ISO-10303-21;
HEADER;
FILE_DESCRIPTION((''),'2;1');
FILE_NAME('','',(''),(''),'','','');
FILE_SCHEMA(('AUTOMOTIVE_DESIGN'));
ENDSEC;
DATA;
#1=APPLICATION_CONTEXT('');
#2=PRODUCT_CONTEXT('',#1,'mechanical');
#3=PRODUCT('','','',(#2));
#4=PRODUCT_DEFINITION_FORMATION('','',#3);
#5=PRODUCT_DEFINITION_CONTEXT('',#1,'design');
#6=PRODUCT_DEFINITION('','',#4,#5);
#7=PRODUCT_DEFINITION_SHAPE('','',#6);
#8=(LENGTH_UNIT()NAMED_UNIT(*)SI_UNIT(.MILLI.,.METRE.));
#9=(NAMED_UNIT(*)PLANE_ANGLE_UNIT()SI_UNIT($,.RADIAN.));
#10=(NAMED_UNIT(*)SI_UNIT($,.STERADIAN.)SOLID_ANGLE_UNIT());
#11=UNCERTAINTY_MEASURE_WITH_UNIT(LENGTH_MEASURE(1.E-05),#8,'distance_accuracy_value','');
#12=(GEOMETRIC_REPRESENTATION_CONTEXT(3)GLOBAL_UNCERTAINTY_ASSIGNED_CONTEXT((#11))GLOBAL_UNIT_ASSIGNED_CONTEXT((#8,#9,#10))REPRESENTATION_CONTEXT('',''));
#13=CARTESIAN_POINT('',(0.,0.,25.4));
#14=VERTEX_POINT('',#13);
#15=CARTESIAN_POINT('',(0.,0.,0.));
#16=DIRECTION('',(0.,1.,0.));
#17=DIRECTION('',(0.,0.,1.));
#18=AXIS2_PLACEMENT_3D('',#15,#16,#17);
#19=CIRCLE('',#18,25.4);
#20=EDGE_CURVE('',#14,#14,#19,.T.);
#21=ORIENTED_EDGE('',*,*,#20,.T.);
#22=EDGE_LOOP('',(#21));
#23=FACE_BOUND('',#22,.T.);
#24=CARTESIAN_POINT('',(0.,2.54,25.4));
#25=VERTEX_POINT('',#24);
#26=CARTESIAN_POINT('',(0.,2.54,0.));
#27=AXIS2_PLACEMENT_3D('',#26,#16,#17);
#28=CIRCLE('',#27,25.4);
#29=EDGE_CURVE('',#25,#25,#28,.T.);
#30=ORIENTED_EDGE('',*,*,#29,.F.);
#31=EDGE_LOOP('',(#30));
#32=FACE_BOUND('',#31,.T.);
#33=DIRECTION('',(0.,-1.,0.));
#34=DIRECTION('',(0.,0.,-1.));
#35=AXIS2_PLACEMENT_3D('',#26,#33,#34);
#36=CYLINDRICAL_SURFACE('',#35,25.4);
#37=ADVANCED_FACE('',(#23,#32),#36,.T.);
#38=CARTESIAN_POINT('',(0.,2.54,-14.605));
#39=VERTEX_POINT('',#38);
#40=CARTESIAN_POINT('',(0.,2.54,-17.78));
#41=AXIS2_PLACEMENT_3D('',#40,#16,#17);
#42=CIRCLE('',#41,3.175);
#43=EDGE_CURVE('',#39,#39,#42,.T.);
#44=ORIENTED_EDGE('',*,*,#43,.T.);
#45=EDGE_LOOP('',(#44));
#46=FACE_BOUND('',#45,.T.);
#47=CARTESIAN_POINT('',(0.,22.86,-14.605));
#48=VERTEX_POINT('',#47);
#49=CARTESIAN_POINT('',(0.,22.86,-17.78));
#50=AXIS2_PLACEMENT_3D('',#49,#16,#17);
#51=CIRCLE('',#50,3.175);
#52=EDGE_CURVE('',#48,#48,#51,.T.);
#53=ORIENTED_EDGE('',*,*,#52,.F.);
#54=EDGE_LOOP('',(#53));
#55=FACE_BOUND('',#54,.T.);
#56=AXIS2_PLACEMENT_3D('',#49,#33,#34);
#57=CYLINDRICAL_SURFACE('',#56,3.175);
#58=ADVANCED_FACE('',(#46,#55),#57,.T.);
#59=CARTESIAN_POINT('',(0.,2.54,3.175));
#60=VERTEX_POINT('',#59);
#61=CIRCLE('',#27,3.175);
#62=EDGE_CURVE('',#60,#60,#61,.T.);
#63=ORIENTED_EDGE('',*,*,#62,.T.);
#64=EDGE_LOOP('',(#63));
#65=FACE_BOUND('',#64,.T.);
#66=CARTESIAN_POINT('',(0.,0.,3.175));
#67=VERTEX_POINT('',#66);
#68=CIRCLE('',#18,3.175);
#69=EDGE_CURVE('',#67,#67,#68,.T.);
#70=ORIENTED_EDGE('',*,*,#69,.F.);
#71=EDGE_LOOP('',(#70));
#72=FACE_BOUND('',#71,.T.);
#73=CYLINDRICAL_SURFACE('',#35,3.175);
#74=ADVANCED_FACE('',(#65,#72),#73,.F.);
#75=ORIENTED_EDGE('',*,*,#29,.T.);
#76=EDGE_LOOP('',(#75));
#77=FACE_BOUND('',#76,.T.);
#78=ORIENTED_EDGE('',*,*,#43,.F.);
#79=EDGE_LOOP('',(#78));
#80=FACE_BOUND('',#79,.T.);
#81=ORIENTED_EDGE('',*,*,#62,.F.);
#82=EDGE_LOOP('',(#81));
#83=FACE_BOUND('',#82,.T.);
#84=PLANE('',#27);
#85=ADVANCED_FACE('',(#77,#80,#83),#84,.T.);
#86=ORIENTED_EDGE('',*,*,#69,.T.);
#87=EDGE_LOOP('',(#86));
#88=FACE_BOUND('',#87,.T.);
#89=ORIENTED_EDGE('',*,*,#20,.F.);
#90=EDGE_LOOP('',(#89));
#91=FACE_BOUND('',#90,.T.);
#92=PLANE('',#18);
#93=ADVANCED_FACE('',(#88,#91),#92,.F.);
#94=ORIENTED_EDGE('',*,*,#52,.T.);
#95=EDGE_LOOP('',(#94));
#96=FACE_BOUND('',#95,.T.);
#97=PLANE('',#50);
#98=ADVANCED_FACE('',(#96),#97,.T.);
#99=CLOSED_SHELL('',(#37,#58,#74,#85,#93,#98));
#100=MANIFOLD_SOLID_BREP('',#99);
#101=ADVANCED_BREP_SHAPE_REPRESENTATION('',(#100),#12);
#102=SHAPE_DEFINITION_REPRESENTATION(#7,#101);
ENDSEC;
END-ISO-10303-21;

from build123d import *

# Parameters (mm, degrees)
SKETCH1_R           = 25.4
SKETCH1_R_2         = 3.175
BOSS_EXTRUDE1_DEPTH = 2.54
SKETCH2_R           = 3.175
BOSS_EXTRUDE2_DEPTH = 20.32


with BuildPart() as part:
    # Sketch1 → Boss-Extrude1 (new body)
    with BuildSketch(Plane(origin=(0, 0, 0), x_dir=(1, 0, 0), z_dir=(0, 1, 0))):
        Circle(SKETCH1_R)
        Circle(SKETCH1_R_2, mode=Mode.SUBTRACT)
    extrude(amount=BOSS_EXTRUDE1_DEPTH)

    # Sketch2 → Boss-Extrude2 (add)
    with BuildSketch(Plane(origin=(0, 2.54, 0), x_dir=(1, 0, 0), z_dir=(0, 1, 0))):
        with Locations((0, 17.78)):
            Circle(SKETCH2_R)
    extrude(amount=BOSS_EXTRUDE2_DEPTH)


solid = part.part
